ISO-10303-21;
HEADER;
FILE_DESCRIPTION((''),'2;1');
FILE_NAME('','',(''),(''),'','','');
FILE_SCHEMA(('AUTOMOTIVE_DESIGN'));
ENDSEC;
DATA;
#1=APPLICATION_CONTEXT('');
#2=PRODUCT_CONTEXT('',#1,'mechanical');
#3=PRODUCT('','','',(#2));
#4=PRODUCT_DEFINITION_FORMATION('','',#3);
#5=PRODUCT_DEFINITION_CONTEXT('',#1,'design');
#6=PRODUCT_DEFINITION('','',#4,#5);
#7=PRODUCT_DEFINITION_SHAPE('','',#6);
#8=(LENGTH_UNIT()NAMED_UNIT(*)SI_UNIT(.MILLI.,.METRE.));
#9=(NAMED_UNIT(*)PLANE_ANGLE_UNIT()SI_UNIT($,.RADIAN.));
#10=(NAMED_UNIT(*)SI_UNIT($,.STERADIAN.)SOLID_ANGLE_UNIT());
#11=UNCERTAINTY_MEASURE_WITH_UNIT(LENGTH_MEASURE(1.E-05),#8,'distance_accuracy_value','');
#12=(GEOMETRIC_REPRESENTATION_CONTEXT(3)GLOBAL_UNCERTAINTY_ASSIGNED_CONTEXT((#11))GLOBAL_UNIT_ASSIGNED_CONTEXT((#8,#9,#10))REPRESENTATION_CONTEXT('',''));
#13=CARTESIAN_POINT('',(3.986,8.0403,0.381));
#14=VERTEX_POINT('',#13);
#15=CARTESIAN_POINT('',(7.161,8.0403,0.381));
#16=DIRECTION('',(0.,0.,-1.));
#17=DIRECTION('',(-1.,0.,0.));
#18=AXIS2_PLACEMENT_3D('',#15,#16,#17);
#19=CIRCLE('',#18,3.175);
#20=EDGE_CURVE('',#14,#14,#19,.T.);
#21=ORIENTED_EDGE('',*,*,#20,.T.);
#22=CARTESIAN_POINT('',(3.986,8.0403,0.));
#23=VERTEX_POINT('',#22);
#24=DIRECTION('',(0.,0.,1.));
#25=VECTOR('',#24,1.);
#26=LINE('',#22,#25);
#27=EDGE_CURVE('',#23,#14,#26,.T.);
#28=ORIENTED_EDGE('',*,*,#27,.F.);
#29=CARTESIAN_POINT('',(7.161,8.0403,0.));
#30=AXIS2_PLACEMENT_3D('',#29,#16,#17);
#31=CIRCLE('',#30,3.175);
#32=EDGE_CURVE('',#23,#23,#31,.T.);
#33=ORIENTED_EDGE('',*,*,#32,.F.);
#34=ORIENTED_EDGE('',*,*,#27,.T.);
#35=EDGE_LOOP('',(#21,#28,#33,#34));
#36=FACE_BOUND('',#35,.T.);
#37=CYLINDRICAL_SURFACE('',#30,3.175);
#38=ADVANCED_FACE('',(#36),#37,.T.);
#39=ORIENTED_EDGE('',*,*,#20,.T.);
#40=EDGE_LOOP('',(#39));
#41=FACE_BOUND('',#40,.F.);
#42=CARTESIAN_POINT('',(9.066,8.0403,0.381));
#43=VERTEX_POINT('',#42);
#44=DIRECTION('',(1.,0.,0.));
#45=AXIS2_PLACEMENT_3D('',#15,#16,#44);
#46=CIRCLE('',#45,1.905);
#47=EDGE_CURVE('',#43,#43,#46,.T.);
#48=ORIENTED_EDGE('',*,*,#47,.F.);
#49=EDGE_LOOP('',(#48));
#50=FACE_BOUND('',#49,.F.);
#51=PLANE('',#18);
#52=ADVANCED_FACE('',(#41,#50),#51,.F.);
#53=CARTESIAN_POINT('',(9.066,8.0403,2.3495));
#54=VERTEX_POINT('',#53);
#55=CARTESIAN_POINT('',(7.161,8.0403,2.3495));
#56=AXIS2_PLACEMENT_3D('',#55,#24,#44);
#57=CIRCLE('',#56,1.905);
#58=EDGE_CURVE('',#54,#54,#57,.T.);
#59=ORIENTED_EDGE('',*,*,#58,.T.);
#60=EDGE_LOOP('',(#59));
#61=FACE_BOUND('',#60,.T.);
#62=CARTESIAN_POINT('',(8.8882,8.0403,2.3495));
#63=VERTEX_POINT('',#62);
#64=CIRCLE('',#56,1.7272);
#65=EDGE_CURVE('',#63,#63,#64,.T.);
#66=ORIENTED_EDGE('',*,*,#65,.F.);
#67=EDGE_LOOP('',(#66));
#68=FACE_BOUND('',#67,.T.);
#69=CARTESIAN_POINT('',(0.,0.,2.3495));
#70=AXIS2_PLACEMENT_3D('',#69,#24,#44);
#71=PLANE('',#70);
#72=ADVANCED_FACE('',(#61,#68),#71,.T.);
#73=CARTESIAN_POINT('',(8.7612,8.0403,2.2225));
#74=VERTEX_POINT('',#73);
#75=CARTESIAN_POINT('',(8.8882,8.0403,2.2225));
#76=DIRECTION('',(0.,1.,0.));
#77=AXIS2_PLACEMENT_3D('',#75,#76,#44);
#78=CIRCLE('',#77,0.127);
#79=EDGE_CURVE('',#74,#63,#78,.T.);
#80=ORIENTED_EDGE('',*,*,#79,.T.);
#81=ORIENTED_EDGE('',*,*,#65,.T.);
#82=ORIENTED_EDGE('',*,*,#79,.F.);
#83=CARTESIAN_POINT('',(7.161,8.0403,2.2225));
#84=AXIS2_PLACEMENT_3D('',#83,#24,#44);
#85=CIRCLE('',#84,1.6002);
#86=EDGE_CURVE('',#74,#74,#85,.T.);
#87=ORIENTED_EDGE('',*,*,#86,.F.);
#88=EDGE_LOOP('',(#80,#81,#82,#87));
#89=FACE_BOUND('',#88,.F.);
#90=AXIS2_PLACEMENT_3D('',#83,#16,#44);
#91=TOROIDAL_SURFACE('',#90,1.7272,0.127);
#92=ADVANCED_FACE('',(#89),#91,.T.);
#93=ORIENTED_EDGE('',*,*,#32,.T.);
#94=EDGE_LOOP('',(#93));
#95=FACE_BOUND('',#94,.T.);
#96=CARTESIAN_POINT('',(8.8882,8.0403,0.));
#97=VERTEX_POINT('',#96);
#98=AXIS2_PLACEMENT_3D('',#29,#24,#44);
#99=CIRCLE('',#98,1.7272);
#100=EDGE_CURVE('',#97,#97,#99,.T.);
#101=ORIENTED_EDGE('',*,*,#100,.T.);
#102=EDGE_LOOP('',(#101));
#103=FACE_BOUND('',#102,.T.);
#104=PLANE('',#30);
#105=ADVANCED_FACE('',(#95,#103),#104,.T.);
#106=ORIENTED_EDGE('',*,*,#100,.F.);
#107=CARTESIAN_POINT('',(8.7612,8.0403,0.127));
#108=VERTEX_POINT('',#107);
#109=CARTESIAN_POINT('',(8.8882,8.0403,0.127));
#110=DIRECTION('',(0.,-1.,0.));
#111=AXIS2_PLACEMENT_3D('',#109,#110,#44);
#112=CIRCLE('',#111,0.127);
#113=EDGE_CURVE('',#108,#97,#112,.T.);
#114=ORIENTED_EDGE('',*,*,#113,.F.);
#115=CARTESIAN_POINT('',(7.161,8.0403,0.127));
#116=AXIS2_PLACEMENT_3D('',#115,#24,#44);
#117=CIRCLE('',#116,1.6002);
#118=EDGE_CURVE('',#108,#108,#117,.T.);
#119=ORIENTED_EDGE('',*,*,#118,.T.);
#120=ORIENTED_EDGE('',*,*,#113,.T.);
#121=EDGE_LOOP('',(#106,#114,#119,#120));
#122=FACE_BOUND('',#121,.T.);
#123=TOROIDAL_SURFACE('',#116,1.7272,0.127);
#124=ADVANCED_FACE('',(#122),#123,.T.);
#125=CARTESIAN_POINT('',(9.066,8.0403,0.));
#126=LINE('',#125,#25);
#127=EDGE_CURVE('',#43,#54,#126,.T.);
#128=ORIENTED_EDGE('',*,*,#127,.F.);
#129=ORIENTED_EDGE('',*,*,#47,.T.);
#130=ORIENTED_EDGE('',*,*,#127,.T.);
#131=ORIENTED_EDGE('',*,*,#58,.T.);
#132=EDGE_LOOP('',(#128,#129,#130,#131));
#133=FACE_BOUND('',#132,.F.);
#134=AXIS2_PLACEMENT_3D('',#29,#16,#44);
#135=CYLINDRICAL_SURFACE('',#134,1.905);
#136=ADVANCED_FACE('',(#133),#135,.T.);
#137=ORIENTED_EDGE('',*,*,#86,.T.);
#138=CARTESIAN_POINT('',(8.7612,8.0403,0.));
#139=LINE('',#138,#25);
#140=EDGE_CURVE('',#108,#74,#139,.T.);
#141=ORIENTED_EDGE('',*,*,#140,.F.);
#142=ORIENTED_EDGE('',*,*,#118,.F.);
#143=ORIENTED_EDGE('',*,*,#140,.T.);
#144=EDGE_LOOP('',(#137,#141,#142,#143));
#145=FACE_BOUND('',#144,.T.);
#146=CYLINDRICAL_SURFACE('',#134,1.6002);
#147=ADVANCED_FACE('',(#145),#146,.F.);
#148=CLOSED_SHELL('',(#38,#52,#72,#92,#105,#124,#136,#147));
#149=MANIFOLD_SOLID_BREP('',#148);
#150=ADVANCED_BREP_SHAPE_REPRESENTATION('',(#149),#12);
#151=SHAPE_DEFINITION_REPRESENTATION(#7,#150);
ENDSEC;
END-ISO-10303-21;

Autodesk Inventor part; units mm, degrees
ref_plane "YZ Plane" through (0, 0, 0) normal (1, 0, 0) x (0, 1, 0)
ref_plane "XZ Plane" through (0, 0, 0) normal (0, 1, 0) x (-1, 0, 0)
ref_plane "XY Plane" through (0, 0, 0) normal (0, 0, 1) x (1, 0, 0)
sketch "Sketch1" plane through (0, 0, 0) normal (0, 0, 1) x (1, 0, 0)
  circle A0 centre (7.161, 8.0403) radius 1.524 projected
  line L0 (16.461, -12.7743) -> (16.461, -7.3635) projected
  arc A1 (16.461, -7.3635) -> (16.2925, -6.0336) centre (11.127, -7.3635) ccw projected
  line L1 (16.2925, -6.0336) -> (12.3265, 9.3703) projected
  arc A2 (12.3265, 9.3703) -> (7.161, 13.3743) centre (7.161, 8.0403) ccw projected
  line L2 (7.161, 13.3743) -> (-11.127, 13.3743) projected
  arc A3 (-11.127, 13.3743) -> (-16.461, 8.0403) centre (-11.127, 8.0403) ccw projected
  line L3 (-16.461, 8.0403) -> (-16.461, -8.0403) projected
  arc A4 (-16.461, -8.0403) -> (-11.127, -13.3743) centre (-11.127, -8.0403) ccw projected
  line L4 (-11.127, -13.3743) -> (15.861, -13.3743) projected
  arc A5 (15.861, -13.3743) -> (16.461, -12.7743) centre (15.861, -12.7743) ccw projected
  circle A6 centre (-11.127, 8.0403) radius 4.064 projected
  circle A7 centre (7.161, 8.0403) radius 1.6002
  circle A8 centre (7.161, 8.0403) radius 2.032 projected
  circle A9 centre (7.161, 8.0403) radius 1.905
  point P0 (0, 0)
  dimension "d0" = 0.0762
  dimension "d1" = 0.127
extrude "Extrusion1" add sketch "Sketch1" along normal blind 2.3495 contours A9
fillet "Fillet1" radius 0.127 2 edges at (5.5608, 8.0403, 2.3495) (5.5608, 8.0403, 0)
sketch "Sketch2" plane through (7.161, 8.0403, 0) normal (0, 0, -1) x (-1, 0, 0)
  circle A0 centre (0, 0) radius 1.905 projected
  circle A1 centre (0, 0) radius 3.175
  point P0 (7.161, -8.0403)
  dimension "d5" = 6.35
extrude "Extrusion2" add sketch "Sketch2" against normal blind 0.381
properties part number "M3Spacer"
